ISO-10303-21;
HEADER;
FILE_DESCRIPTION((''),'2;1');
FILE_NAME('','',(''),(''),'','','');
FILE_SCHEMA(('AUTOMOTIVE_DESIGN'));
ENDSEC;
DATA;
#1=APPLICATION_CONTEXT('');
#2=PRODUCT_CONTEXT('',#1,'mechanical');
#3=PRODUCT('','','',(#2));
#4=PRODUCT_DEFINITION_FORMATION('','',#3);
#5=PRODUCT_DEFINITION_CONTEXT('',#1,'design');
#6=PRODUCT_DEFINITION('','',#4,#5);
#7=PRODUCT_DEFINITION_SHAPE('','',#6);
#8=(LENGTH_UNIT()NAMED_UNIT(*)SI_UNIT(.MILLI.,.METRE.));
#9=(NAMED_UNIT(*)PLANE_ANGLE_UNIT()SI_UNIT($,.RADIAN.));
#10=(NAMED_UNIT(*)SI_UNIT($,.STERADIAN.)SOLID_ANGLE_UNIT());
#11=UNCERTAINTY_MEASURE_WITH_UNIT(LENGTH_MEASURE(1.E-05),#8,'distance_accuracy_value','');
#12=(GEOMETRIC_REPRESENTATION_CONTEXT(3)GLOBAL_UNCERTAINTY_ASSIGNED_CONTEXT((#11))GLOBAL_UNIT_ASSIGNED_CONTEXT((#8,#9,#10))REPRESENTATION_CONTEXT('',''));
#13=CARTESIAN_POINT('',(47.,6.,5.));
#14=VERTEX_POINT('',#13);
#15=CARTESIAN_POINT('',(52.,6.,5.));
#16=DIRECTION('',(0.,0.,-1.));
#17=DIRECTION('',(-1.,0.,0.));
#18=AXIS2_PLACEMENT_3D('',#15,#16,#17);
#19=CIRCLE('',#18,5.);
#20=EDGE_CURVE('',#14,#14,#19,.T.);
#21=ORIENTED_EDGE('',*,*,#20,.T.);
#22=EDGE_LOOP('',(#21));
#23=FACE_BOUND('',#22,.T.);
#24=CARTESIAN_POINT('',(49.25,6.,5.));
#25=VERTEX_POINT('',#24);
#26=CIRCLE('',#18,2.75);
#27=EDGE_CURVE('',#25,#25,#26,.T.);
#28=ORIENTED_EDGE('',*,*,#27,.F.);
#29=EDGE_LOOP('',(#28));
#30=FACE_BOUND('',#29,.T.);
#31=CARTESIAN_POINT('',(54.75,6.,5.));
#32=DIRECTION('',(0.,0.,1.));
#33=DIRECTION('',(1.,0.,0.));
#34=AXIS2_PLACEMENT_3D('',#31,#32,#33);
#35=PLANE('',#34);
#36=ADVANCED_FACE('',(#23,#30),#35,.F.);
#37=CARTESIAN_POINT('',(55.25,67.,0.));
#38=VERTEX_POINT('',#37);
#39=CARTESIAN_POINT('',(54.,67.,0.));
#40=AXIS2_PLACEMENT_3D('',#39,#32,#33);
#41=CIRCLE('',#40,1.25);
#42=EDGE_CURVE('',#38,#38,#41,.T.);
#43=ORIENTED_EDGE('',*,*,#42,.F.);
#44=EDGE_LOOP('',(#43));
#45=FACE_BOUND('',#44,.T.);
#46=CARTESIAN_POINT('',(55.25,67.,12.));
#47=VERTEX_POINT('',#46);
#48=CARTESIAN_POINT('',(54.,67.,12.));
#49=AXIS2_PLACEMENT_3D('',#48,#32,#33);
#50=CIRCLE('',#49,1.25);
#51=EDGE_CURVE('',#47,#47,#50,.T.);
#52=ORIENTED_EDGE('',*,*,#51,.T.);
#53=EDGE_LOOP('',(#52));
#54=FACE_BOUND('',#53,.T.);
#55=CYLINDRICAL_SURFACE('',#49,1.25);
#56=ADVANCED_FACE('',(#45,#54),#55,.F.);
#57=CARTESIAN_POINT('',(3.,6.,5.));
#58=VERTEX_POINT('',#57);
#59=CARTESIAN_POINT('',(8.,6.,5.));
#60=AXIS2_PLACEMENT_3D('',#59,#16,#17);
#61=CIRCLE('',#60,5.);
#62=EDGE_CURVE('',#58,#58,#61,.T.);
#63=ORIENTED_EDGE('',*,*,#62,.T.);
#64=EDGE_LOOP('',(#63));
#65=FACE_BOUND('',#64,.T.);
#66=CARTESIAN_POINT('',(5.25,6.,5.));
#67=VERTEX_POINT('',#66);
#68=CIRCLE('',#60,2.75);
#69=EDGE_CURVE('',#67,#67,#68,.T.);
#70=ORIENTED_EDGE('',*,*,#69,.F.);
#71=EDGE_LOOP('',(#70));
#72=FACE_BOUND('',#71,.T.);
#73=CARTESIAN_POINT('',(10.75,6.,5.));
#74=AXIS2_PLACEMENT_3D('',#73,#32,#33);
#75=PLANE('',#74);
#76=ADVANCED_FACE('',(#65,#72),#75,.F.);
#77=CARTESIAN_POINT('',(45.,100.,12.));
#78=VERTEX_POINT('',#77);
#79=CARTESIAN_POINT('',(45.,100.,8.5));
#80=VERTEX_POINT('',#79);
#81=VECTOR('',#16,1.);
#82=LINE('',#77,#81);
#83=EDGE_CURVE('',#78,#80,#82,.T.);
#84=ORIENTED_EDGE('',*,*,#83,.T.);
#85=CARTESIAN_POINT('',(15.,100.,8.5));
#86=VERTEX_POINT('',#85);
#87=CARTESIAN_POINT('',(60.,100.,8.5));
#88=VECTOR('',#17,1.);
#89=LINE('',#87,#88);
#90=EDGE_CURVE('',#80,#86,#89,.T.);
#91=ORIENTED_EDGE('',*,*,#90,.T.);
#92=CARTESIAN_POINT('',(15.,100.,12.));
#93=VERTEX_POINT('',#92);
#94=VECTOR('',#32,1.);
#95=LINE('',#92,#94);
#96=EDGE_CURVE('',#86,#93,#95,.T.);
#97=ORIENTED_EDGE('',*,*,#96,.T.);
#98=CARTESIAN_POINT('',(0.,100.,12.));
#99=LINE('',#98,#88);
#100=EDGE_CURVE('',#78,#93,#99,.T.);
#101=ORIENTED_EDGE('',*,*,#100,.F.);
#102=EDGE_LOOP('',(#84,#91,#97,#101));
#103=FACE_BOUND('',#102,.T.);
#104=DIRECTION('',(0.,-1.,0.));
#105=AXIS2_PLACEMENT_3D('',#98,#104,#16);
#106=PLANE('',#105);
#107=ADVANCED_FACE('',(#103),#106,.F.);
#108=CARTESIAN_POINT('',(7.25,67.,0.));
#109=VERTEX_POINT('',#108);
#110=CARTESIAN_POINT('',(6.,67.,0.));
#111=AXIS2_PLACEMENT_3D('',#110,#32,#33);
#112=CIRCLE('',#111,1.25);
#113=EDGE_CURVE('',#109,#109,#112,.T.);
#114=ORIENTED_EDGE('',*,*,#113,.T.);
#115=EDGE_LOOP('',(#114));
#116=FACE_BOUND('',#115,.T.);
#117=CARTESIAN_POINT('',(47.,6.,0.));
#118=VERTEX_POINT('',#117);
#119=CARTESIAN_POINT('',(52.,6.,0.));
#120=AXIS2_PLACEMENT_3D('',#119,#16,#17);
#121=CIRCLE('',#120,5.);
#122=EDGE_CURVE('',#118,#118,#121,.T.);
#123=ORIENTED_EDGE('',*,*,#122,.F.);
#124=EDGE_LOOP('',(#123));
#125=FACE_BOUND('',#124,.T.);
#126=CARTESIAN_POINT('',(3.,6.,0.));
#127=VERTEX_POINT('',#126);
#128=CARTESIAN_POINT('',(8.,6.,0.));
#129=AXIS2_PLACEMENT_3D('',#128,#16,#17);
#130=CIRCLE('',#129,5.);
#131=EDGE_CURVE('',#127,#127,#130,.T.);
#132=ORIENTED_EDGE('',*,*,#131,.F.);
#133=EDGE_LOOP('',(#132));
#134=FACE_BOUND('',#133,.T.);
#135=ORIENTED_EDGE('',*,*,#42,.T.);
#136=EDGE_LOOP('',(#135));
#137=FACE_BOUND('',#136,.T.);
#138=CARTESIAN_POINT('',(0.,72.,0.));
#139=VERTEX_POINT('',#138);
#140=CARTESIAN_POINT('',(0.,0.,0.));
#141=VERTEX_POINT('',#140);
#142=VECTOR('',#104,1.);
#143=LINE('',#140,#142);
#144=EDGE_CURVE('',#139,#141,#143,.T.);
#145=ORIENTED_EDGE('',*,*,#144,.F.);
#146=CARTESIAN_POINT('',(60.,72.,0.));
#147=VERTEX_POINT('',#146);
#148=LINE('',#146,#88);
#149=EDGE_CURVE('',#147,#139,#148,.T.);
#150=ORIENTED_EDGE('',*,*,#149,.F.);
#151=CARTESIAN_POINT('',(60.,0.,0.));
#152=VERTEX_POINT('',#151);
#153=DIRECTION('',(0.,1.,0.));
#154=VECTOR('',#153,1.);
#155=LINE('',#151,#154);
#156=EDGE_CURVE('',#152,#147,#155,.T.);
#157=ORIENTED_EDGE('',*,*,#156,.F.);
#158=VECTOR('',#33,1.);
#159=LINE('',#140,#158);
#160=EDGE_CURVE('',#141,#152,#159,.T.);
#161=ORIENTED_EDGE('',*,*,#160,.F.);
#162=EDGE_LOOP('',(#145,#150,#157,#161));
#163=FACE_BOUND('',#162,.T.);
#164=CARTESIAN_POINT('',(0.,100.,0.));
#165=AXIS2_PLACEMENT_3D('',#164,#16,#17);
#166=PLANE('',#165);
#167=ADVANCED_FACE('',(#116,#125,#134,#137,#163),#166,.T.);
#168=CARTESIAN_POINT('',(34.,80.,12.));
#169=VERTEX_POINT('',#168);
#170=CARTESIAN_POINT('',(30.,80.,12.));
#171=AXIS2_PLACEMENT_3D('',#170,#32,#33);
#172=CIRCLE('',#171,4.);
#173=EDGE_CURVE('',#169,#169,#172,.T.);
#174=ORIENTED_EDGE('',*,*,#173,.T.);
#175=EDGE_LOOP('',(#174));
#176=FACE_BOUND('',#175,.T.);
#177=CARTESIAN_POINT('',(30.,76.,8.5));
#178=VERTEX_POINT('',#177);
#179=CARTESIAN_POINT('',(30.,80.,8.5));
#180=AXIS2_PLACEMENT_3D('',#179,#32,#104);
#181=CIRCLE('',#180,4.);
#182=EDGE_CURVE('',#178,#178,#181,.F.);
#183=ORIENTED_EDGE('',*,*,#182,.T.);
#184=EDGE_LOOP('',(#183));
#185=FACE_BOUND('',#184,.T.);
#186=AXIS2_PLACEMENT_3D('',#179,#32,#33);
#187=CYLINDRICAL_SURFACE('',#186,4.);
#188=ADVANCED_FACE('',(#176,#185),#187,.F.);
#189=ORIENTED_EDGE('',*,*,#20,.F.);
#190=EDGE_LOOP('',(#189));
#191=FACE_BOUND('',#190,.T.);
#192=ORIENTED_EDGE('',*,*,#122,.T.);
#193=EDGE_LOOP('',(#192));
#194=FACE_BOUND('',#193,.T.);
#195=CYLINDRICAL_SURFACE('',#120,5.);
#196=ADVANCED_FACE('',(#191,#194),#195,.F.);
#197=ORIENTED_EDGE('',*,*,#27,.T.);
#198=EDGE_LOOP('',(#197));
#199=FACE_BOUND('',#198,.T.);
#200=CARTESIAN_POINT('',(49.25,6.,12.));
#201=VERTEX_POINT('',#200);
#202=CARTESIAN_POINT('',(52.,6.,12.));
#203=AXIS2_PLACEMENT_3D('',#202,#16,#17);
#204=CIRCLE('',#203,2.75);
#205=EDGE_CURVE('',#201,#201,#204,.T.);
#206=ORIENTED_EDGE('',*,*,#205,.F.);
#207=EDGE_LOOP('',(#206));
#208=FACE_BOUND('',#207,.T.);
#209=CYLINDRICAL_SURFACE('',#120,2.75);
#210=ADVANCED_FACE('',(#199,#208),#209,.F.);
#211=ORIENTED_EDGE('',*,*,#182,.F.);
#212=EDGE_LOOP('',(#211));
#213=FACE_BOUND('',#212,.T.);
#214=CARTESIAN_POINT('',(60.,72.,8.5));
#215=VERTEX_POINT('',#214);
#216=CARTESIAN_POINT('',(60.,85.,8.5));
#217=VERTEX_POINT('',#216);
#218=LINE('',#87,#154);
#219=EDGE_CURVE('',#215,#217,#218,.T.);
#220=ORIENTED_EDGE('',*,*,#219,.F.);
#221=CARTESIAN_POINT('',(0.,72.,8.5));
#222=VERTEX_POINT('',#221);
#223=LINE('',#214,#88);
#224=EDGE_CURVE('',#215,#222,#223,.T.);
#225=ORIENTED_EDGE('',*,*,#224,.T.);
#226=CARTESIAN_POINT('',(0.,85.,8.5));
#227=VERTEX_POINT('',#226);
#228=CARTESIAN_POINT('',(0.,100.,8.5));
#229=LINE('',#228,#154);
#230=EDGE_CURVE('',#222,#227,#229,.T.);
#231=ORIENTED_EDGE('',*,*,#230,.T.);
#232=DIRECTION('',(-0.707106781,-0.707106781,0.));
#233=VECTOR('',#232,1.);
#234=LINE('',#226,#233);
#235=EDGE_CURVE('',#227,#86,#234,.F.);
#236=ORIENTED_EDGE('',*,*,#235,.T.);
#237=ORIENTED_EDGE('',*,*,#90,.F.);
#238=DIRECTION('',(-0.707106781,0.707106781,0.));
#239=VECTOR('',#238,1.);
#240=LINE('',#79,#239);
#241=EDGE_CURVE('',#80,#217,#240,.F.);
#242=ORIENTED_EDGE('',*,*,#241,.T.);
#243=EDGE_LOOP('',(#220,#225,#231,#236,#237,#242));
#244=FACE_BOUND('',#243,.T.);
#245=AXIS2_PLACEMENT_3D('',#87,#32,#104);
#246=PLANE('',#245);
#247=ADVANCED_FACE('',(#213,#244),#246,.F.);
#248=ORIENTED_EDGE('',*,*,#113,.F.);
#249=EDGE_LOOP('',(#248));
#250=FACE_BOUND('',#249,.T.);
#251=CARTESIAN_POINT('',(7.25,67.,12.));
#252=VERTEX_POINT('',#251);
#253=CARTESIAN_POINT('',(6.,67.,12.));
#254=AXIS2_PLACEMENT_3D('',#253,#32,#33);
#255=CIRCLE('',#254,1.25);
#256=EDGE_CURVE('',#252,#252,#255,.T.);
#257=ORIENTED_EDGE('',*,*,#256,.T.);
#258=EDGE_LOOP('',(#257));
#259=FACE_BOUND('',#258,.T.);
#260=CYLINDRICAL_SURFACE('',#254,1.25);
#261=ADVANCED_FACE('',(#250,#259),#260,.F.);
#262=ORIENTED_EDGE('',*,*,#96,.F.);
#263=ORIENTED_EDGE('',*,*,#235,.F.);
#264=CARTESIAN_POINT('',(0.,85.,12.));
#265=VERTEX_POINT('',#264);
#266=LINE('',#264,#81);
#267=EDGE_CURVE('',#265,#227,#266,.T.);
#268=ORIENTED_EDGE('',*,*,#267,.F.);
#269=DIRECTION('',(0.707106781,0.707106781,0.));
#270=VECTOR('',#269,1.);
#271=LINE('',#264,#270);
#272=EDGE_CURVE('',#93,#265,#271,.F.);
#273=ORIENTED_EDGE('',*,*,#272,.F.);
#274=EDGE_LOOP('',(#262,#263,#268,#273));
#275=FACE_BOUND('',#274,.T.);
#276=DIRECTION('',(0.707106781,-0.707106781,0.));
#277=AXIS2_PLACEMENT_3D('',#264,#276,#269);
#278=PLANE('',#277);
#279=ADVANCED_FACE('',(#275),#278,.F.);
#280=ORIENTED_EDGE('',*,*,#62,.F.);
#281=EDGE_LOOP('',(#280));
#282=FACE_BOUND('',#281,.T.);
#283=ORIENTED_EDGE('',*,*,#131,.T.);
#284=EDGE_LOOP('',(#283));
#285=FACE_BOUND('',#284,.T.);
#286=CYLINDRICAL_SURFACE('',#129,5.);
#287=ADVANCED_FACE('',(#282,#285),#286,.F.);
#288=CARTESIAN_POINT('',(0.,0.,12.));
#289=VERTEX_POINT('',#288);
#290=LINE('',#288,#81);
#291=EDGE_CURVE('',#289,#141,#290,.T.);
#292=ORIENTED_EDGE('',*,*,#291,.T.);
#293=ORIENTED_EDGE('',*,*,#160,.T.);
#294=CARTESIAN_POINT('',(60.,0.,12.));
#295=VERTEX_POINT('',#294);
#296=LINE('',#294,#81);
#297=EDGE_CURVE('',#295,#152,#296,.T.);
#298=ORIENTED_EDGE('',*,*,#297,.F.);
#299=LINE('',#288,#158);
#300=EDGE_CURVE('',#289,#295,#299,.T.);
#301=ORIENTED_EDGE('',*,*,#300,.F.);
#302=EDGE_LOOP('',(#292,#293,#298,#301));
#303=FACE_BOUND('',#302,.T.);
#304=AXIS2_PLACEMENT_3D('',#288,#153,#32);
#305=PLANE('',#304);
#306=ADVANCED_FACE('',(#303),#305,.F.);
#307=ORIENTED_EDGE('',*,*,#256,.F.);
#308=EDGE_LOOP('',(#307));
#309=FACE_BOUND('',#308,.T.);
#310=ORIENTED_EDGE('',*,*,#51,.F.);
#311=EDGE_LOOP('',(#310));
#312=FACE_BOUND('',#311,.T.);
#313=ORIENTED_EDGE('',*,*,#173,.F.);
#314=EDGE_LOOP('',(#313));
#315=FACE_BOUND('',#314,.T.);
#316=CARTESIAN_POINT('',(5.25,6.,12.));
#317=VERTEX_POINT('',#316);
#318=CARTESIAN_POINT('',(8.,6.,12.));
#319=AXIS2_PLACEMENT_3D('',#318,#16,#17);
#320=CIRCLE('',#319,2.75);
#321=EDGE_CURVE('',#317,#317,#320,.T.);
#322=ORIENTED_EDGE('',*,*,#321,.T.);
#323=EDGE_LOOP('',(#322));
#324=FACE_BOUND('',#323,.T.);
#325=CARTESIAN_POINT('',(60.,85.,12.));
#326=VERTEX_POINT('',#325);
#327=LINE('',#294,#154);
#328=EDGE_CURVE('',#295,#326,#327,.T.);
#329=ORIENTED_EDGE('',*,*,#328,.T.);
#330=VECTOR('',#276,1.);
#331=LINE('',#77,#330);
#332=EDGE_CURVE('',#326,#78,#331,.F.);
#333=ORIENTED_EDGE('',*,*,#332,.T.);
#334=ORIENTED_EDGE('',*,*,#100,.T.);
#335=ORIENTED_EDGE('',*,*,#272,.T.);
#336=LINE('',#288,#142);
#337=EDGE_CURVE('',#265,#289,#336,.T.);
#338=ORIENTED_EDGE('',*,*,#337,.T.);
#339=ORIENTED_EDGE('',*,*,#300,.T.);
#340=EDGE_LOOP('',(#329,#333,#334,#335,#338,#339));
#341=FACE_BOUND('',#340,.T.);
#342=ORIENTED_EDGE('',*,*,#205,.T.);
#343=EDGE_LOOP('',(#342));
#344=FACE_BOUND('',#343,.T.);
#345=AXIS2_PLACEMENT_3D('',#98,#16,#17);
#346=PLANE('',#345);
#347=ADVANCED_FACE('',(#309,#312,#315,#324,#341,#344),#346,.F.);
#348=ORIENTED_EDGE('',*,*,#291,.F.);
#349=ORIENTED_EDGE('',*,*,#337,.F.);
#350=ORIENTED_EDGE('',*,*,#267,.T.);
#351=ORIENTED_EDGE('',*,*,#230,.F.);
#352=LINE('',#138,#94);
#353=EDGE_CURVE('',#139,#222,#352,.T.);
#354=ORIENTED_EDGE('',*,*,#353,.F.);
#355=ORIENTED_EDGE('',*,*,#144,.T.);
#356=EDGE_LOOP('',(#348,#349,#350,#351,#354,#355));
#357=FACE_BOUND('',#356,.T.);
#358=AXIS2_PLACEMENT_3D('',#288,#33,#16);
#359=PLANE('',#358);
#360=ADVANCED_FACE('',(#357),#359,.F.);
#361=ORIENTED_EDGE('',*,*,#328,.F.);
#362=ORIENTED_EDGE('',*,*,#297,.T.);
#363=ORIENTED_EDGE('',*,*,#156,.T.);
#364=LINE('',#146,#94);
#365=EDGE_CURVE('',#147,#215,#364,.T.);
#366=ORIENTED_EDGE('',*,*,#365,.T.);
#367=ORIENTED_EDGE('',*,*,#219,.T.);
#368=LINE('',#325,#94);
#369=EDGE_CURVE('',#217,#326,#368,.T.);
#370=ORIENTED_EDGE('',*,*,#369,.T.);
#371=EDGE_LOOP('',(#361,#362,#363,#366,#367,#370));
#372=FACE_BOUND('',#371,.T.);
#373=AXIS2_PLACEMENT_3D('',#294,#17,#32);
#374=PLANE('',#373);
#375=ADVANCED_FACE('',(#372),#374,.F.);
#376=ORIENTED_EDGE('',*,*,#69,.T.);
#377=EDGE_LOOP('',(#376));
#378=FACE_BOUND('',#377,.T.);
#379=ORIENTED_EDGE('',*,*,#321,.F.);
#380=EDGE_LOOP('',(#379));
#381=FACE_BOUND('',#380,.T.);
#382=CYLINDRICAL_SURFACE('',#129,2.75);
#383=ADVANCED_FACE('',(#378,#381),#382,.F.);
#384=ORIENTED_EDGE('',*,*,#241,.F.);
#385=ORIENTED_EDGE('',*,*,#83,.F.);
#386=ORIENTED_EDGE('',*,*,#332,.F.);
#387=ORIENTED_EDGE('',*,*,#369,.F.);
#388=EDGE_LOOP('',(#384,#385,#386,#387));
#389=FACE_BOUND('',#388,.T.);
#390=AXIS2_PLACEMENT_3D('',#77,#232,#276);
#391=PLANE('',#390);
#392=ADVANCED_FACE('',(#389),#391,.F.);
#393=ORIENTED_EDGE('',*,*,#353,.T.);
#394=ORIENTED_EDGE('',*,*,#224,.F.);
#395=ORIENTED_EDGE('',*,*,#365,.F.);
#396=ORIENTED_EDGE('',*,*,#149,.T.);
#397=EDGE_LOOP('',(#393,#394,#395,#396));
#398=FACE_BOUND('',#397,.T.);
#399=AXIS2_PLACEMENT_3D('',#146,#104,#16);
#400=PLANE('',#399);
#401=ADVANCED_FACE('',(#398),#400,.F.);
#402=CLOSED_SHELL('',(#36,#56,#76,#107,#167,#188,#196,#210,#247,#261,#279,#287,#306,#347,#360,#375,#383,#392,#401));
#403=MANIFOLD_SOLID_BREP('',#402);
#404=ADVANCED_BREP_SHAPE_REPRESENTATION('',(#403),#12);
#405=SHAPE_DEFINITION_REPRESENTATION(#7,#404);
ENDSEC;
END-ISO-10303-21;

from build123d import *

# Parameters (mm, degrees)
ESQUISSE2_W                                        = 60
ESQUISSE2_H                                        = 100
BOSS_EXTRU_1_DEPTH                                 = 12
ESQUISSE3_R                                        = 4
ENL_V_MAT_EXTRU_1_DEPTH                            = 3.5
ESQUISSE5_W                                        = 8.5
ESQUISSE5_H                                        = 28
ENL_V_MAT_EXTRU_2_DEPTH                            = 61
TROU_TARAUD_M31_D                                  = 2.5
TROU_TARAUD_M32_D                                  = 2.5
CHAMBRAGE_POUR_VIS_T_TE_HEXAGONALE_M51_D           = 5.5
CHAMBRAGE_POUR_VIS_T_TE_HEXAGONALE_M51_CBORE_D     = 10
CHAMBRAGE_POUR_VIS_T_TE_HEXAGONALE_M51_CBORE_DEPTH = 5
CHAMBRAGE_POUR_VIS_T_TE_HEXAGONALE_M52_D           = 5.5
CHAMBRAGE_POUR_VIS_T_TE_HEXAGONALE_M52_CBORE_D     = 10
CHAMBRAGE_POUR_VIS_T_TE_HEXAGONALE_M52_CBORE_DEPTH = 5
CHANFREIN1_SIZE                                    = 15


with BuildPart() as part:
    # Esquisse2 → Boss.-Extru.1 (new body)
    with BuildSketch(Plane.XY):
        with Locations((30, 50)):
            Rectangle(ESQUISSE2_W, ESQUISSE2_H)
    extrude(amount=BOSS_EXTRU_1_DEPTH)

    # Esquisse3 → Enlèv. mat.-Extru.1 (cut)
    with BuildSketch(Plane.XY.offset(12)):
        with Locations((30, 80)):
            Circle(ESQUISSE3_R)
    extrude(amount=-ENL_V_MAT_EXTRU_1_DEPTH, mode=Mode.SUBTRACT)

    # Esquisse5 → Enlèv. mat.-Extru.2 (cut, through all)
    with BuildSketch(Plane.ZY):
        with Locations((4.25, 86)):
            Rectangle(ESQUISSE5_W, ESQUISSE5_H)
    extrude(amount=-ENL_V_MAT_EXTRU_2_DEPTH, mode=Mode.SUBTRACT)

    # Trou taraudé M31 (through all)
    with Locations(Plane.XY.offset(12)):
        with Locations((54, 67), (30, 80)):
            Hole(TROU_TARAUD_M31_D / 2)

    # Trou taraudé M32 (through all)
    with Locations(Plane.XY.offset(12)):
        with Locations((6, 67)):
            Hole(TROU_TARAUD_M32_D / 2)

    # Chambrage pour vis à tête hexagonale M51 (through all)
    with Locations(Plane(origin=(0, 0, 0), x_dir=(-1, 0, 0), z_dir=(0, 0, -1))):
        with Locations((-8, 6)):
            CounterBoreHole(CHAMBRAGE_POUR_VIS_T_TE_HEXAGONALE_M51_D / 2, CHAMBRAGE_POUR_VIS_T_TE_HEXAGONALE_M51_CBORE_D / 2, CHAMBRAGE_POUR_VIS_T_TE_HEXAGONALE_M51_CBORE_DEPTH)

    # Chambrage pour vis à tête hexagonale M52 (through all)
    with Locations(Plane(origin=(0, 0, 0), x_dir=(-1, 0, 0), z_dir=(0, 0, -1))):
        with Locations((-52, 6)):
            CounterBoreHole(CHAMBRAGE_POUR_VIS_T_TE_HEXAGONALE_M52_D / 2, CHAMBRAGE_POUR_VIS_T_TE_HEXAGONALE_M52_CBORE_D / 2, CHAMBRAGE_POUR_VIS_T_TE_HEXAGONALE_M52_CBORE_DEPTH)

    # Chanfrein1
    chanfrein1_edges = [part.edges().sort_by_distance(p)[0] for p in [
        (0, 100, 10.25),
        (60, 100, 10.25),
    ]]
    chamfer(chanfrein1_edges, length=CHANFREIN1_SIZE)


solid = part.part
